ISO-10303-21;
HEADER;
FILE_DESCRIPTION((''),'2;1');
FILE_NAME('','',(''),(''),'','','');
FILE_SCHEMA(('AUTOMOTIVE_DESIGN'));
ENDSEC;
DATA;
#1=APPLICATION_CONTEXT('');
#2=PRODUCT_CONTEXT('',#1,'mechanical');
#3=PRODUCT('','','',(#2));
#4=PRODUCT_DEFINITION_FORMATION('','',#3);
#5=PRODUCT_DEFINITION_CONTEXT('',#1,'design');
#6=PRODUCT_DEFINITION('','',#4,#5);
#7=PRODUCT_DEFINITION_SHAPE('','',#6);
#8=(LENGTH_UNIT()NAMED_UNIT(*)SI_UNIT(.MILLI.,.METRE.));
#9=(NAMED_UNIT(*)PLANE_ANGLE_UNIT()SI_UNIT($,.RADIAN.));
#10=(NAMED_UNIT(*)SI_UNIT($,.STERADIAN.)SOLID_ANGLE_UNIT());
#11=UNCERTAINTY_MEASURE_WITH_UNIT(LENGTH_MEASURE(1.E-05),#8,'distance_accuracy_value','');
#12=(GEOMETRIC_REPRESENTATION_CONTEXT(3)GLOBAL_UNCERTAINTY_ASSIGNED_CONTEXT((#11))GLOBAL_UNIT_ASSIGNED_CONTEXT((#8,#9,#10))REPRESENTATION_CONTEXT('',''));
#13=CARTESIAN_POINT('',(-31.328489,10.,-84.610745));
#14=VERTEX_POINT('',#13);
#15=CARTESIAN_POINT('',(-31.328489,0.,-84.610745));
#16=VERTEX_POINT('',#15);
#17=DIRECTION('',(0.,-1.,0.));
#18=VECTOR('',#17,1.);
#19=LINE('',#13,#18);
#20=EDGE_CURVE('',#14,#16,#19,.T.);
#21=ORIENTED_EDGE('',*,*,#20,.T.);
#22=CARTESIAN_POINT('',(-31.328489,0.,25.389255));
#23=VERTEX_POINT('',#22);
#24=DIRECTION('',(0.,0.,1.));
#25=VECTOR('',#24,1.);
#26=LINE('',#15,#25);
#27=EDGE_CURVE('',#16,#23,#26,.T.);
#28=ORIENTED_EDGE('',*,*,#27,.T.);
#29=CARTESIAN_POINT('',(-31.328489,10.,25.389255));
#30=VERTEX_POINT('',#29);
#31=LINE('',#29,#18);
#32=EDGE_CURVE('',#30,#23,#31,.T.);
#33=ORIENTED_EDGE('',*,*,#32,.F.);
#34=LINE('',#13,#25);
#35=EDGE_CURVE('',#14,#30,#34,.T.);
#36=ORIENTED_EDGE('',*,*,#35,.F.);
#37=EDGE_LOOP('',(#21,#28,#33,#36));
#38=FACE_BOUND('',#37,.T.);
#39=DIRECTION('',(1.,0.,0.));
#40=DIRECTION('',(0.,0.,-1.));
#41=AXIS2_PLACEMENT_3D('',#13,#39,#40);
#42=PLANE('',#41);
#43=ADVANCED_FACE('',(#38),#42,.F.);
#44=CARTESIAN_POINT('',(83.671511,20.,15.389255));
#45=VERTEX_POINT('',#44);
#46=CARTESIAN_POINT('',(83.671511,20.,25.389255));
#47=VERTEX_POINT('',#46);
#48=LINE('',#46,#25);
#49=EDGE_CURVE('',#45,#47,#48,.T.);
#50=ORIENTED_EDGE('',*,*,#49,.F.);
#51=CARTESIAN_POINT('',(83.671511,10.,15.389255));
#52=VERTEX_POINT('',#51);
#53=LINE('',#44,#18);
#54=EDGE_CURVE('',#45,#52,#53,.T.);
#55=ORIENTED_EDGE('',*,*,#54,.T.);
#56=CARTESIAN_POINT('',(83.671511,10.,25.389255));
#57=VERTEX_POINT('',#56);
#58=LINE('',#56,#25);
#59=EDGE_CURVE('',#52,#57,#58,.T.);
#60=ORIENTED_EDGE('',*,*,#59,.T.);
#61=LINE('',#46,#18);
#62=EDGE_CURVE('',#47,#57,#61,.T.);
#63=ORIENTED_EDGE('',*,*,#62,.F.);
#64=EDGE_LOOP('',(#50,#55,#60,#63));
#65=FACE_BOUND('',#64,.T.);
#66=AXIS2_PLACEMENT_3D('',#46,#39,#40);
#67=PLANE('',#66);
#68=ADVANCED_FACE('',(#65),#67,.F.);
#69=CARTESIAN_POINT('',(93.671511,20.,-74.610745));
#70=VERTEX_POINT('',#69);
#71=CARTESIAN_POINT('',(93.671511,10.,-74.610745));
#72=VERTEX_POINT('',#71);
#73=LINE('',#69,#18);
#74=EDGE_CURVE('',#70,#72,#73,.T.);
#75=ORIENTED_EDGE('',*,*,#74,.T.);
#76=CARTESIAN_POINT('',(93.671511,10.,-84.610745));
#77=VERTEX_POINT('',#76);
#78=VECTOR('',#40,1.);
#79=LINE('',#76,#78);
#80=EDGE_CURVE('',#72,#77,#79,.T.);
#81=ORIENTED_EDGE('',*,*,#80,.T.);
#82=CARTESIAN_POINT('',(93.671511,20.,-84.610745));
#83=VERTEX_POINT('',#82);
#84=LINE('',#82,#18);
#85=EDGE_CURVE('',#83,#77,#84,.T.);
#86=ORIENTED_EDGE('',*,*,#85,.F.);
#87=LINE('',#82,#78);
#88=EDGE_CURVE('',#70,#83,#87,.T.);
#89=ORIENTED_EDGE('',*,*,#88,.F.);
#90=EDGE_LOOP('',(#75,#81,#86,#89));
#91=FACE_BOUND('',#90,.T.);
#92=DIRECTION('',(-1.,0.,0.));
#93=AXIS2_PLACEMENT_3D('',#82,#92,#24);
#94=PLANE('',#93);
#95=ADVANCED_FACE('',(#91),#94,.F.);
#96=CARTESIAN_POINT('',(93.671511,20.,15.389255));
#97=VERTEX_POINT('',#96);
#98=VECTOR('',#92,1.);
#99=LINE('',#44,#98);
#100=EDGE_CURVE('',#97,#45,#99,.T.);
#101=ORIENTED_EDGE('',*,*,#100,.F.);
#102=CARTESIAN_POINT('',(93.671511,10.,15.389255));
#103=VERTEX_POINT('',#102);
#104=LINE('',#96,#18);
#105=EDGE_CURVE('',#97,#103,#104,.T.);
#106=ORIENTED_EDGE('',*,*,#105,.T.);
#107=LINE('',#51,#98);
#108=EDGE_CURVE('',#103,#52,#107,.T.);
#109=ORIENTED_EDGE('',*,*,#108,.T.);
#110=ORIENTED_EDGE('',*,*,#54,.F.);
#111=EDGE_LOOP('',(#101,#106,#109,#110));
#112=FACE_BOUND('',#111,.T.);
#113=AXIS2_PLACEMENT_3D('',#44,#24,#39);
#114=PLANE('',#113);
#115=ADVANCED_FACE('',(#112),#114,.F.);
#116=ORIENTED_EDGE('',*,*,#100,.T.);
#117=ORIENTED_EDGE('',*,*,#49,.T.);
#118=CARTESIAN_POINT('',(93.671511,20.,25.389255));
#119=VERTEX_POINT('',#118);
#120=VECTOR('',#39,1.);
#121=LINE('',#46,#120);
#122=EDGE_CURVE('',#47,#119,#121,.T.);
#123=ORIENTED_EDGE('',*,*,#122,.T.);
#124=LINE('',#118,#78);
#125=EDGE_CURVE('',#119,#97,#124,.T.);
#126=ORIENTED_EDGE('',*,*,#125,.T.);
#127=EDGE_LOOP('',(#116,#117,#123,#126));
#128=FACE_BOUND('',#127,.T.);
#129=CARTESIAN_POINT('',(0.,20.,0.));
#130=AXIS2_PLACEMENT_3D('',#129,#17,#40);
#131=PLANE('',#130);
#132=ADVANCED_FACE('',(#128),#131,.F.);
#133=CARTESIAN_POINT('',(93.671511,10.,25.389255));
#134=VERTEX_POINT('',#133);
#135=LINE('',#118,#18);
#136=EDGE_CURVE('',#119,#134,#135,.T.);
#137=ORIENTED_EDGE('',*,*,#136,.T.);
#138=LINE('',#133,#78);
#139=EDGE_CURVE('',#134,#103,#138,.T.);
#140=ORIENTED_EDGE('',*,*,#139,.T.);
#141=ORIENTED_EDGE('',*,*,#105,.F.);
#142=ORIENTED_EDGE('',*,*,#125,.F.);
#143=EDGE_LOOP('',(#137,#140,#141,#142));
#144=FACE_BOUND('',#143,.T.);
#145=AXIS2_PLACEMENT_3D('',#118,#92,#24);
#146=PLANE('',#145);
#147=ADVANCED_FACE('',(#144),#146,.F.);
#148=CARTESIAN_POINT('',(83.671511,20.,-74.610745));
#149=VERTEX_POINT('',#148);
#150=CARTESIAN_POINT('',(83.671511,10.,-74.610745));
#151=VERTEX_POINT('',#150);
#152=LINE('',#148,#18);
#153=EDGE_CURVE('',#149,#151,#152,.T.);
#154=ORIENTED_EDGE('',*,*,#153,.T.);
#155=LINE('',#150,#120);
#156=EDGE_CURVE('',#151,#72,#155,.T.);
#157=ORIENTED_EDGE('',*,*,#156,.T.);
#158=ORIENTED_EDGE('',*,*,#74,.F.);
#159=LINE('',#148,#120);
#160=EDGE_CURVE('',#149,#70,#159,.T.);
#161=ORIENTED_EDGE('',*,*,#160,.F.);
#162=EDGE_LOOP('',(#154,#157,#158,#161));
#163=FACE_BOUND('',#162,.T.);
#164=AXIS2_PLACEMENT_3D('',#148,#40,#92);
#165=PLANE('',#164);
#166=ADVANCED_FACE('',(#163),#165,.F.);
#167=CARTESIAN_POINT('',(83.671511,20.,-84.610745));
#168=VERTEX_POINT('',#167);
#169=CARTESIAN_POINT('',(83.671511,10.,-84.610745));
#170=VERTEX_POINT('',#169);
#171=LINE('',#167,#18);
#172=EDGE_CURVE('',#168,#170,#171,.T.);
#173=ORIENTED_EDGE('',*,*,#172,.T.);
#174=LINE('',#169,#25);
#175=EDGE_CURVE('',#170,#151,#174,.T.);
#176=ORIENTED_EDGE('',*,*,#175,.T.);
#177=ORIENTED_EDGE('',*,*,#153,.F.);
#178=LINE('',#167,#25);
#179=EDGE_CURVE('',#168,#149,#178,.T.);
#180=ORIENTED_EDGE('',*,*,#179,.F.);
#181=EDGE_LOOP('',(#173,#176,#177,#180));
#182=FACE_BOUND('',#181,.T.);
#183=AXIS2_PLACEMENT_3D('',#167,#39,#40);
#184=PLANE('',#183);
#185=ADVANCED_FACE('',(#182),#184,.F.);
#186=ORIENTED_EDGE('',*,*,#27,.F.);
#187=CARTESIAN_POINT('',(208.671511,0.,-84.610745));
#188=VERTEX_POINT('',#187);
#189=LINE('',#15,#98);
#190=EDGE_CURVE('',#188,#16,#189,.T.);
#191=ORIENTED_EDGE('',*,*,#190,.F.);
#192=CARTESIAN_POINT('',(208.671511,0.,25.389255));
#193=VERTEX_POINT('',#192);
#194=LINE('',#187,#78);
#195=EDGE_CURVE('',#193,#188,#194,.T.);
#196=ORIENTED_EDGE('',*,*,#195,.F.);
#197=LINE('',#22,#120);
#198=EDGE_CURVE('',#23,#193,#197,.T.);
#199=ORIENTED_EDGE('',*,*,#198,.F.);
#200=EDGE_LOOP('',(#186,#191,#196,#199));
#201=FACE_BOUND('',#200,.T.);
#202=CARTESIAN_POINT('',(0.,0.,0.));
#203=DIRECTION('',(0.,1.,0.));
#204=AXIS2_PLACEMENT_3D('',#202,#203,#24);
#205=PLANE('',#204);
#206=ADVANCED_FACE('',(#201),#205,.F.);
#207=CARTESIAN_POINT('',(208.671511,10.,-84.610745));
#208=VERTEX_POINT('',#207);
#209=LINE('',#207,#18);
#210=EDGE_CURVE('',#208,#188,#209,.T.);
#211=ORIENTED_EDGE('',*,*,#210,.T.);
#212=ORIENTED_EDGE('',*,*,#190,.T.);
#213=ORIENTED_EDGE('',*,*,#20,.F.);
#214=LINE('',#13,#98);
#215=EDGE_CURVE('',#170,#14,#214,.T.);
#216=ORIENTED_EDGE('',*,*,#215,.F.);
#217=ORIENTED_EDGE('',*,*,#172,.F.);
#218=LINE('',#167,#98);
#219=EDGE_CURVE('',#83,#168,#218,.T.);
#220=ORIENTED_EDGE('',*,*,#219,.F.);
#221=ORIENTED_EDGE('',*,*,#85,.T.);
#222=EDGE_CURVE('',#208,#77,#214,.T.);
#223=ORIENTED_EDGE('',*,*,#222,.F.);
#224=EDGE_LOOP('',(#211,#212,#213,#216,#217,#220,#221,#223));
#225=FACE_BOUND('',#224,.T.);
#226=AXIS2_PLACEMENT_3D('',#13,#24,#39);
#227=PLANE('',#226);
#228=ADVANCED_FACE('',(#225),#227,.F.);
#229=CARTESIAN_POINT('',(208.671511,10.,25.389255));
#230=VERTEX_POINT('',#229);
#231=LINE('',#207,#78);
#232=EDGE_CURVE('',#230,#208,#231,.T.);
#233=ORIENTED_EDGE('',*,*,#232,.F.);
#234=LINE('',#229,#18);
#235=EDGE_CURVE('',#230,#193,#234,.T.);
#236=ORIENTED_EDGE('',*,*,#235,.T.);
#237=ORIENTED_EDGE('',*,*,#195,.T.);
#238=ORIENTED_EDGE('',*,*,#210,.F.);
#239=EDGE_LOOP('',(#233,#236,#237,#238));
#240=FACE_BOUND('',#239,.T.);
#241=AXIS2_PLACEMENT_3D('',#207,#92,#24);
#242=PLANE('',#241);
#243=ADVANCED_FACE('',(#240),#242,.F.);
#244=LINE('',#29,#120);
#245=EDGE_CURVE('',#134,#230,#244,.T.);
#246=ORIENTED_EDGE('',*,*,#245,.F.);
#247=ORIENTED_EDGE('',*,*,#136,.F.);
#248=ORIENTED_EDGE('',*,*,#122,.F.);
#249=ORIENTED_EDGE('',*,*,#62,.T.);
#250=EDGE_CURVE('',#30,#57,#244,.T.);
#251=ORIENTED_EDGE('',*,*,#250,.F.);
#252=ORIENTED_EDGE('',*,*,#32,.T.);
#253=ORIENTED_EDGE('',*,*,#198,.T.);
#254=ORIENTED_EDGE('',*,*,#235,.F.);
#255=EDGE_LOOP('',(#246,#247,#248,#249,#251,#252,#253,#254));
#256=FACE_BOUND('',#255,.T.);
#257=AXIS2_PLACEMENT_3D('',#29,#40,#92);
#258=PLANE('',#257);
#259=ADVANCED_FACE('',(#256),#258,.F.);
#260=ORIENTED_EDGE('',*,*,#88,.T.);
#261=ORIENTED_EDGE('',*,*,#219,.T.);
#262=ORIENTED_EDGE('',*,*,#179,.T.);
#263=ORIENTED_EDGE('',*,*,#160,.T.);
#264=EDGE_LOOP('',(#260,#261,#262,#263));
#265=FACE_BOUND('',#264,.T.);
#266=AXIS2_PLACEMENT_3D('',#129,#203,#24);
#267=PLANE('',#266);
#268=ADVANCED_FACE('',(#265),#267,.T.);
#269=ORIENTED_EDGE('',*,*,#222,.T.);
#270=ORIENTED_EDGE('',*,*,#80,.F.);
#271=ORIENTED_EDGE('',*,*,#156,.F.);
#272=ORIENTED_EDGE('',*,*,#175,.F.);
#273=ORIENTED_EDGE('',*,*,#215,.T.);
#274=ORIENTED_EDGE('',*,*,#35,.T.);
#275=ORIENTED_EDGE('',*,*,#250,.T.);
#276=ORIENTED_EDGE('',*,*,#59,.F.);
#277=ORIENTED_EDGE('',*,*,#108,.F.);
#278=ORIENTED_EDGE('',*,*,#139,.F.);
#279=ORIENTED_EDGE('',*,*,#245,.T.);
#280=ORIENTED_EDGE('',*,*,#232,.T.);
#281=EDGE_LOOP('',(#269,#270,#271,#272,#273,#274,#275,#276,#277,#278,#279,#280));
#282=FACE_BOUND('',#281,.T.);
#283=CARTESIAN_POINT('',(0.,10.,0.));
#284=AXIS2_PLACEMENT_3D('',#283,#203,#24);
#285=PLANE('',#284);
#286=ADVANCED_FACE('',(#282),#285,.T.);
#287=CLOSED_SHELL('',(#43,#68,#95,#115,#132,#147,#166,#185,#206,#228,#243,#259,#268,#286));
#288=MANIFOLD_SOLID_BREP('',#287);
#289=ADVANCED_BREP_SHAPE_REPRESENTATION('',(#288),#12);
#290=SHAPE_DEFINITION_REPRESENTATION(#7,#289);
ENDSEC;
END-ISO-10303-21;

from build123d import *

# Parameters (mm, degrees)
ESBO_O1_W                = 240
ESBO_O1_H                = 110
RESSALTO_EXTRUS_O1_DEPTH = 10
ESBO_O2_W                = 10
ESBO_O2_H                = 10
RESSALTO_EXTRUS_O2_DEPTH = 10


with BuildPart() as part:
    # Esboço1 → Ressalto-extrusão1 (new body)
    with BuildSketch(Plane(origin=(0, 0, 0), x_dir=(1, 0, 0), z_dir=(0, 1, 0))):
        with Locations((88.671510894, 29.610744501)):
            Rectangle(ESBO_O1_W, ESBO_O1_H)
    extrude(amount=RESSALTO_EXTRUS_O1_DEPTH)

    # Esboço2 → Ressalto-extrusão2 (add)
    with BuildSketch(Plane(origin=(0, 10, 0), x_dir=(1, 0, 0), z_dir=(0, 1, 0))):
        with Locations((88.671510894, -20.389255499)):
            Rectangle(ESBO_O2_W, ESBO_O2_H)
        with Locations((88.671510894, 79.610744501)):
            Rectangle(ESBO_O2_W, ESBO_O2_H)
    extrude(amount=RESSALTO_EXTRUS_O2_DEPTH)


solid = part.part
